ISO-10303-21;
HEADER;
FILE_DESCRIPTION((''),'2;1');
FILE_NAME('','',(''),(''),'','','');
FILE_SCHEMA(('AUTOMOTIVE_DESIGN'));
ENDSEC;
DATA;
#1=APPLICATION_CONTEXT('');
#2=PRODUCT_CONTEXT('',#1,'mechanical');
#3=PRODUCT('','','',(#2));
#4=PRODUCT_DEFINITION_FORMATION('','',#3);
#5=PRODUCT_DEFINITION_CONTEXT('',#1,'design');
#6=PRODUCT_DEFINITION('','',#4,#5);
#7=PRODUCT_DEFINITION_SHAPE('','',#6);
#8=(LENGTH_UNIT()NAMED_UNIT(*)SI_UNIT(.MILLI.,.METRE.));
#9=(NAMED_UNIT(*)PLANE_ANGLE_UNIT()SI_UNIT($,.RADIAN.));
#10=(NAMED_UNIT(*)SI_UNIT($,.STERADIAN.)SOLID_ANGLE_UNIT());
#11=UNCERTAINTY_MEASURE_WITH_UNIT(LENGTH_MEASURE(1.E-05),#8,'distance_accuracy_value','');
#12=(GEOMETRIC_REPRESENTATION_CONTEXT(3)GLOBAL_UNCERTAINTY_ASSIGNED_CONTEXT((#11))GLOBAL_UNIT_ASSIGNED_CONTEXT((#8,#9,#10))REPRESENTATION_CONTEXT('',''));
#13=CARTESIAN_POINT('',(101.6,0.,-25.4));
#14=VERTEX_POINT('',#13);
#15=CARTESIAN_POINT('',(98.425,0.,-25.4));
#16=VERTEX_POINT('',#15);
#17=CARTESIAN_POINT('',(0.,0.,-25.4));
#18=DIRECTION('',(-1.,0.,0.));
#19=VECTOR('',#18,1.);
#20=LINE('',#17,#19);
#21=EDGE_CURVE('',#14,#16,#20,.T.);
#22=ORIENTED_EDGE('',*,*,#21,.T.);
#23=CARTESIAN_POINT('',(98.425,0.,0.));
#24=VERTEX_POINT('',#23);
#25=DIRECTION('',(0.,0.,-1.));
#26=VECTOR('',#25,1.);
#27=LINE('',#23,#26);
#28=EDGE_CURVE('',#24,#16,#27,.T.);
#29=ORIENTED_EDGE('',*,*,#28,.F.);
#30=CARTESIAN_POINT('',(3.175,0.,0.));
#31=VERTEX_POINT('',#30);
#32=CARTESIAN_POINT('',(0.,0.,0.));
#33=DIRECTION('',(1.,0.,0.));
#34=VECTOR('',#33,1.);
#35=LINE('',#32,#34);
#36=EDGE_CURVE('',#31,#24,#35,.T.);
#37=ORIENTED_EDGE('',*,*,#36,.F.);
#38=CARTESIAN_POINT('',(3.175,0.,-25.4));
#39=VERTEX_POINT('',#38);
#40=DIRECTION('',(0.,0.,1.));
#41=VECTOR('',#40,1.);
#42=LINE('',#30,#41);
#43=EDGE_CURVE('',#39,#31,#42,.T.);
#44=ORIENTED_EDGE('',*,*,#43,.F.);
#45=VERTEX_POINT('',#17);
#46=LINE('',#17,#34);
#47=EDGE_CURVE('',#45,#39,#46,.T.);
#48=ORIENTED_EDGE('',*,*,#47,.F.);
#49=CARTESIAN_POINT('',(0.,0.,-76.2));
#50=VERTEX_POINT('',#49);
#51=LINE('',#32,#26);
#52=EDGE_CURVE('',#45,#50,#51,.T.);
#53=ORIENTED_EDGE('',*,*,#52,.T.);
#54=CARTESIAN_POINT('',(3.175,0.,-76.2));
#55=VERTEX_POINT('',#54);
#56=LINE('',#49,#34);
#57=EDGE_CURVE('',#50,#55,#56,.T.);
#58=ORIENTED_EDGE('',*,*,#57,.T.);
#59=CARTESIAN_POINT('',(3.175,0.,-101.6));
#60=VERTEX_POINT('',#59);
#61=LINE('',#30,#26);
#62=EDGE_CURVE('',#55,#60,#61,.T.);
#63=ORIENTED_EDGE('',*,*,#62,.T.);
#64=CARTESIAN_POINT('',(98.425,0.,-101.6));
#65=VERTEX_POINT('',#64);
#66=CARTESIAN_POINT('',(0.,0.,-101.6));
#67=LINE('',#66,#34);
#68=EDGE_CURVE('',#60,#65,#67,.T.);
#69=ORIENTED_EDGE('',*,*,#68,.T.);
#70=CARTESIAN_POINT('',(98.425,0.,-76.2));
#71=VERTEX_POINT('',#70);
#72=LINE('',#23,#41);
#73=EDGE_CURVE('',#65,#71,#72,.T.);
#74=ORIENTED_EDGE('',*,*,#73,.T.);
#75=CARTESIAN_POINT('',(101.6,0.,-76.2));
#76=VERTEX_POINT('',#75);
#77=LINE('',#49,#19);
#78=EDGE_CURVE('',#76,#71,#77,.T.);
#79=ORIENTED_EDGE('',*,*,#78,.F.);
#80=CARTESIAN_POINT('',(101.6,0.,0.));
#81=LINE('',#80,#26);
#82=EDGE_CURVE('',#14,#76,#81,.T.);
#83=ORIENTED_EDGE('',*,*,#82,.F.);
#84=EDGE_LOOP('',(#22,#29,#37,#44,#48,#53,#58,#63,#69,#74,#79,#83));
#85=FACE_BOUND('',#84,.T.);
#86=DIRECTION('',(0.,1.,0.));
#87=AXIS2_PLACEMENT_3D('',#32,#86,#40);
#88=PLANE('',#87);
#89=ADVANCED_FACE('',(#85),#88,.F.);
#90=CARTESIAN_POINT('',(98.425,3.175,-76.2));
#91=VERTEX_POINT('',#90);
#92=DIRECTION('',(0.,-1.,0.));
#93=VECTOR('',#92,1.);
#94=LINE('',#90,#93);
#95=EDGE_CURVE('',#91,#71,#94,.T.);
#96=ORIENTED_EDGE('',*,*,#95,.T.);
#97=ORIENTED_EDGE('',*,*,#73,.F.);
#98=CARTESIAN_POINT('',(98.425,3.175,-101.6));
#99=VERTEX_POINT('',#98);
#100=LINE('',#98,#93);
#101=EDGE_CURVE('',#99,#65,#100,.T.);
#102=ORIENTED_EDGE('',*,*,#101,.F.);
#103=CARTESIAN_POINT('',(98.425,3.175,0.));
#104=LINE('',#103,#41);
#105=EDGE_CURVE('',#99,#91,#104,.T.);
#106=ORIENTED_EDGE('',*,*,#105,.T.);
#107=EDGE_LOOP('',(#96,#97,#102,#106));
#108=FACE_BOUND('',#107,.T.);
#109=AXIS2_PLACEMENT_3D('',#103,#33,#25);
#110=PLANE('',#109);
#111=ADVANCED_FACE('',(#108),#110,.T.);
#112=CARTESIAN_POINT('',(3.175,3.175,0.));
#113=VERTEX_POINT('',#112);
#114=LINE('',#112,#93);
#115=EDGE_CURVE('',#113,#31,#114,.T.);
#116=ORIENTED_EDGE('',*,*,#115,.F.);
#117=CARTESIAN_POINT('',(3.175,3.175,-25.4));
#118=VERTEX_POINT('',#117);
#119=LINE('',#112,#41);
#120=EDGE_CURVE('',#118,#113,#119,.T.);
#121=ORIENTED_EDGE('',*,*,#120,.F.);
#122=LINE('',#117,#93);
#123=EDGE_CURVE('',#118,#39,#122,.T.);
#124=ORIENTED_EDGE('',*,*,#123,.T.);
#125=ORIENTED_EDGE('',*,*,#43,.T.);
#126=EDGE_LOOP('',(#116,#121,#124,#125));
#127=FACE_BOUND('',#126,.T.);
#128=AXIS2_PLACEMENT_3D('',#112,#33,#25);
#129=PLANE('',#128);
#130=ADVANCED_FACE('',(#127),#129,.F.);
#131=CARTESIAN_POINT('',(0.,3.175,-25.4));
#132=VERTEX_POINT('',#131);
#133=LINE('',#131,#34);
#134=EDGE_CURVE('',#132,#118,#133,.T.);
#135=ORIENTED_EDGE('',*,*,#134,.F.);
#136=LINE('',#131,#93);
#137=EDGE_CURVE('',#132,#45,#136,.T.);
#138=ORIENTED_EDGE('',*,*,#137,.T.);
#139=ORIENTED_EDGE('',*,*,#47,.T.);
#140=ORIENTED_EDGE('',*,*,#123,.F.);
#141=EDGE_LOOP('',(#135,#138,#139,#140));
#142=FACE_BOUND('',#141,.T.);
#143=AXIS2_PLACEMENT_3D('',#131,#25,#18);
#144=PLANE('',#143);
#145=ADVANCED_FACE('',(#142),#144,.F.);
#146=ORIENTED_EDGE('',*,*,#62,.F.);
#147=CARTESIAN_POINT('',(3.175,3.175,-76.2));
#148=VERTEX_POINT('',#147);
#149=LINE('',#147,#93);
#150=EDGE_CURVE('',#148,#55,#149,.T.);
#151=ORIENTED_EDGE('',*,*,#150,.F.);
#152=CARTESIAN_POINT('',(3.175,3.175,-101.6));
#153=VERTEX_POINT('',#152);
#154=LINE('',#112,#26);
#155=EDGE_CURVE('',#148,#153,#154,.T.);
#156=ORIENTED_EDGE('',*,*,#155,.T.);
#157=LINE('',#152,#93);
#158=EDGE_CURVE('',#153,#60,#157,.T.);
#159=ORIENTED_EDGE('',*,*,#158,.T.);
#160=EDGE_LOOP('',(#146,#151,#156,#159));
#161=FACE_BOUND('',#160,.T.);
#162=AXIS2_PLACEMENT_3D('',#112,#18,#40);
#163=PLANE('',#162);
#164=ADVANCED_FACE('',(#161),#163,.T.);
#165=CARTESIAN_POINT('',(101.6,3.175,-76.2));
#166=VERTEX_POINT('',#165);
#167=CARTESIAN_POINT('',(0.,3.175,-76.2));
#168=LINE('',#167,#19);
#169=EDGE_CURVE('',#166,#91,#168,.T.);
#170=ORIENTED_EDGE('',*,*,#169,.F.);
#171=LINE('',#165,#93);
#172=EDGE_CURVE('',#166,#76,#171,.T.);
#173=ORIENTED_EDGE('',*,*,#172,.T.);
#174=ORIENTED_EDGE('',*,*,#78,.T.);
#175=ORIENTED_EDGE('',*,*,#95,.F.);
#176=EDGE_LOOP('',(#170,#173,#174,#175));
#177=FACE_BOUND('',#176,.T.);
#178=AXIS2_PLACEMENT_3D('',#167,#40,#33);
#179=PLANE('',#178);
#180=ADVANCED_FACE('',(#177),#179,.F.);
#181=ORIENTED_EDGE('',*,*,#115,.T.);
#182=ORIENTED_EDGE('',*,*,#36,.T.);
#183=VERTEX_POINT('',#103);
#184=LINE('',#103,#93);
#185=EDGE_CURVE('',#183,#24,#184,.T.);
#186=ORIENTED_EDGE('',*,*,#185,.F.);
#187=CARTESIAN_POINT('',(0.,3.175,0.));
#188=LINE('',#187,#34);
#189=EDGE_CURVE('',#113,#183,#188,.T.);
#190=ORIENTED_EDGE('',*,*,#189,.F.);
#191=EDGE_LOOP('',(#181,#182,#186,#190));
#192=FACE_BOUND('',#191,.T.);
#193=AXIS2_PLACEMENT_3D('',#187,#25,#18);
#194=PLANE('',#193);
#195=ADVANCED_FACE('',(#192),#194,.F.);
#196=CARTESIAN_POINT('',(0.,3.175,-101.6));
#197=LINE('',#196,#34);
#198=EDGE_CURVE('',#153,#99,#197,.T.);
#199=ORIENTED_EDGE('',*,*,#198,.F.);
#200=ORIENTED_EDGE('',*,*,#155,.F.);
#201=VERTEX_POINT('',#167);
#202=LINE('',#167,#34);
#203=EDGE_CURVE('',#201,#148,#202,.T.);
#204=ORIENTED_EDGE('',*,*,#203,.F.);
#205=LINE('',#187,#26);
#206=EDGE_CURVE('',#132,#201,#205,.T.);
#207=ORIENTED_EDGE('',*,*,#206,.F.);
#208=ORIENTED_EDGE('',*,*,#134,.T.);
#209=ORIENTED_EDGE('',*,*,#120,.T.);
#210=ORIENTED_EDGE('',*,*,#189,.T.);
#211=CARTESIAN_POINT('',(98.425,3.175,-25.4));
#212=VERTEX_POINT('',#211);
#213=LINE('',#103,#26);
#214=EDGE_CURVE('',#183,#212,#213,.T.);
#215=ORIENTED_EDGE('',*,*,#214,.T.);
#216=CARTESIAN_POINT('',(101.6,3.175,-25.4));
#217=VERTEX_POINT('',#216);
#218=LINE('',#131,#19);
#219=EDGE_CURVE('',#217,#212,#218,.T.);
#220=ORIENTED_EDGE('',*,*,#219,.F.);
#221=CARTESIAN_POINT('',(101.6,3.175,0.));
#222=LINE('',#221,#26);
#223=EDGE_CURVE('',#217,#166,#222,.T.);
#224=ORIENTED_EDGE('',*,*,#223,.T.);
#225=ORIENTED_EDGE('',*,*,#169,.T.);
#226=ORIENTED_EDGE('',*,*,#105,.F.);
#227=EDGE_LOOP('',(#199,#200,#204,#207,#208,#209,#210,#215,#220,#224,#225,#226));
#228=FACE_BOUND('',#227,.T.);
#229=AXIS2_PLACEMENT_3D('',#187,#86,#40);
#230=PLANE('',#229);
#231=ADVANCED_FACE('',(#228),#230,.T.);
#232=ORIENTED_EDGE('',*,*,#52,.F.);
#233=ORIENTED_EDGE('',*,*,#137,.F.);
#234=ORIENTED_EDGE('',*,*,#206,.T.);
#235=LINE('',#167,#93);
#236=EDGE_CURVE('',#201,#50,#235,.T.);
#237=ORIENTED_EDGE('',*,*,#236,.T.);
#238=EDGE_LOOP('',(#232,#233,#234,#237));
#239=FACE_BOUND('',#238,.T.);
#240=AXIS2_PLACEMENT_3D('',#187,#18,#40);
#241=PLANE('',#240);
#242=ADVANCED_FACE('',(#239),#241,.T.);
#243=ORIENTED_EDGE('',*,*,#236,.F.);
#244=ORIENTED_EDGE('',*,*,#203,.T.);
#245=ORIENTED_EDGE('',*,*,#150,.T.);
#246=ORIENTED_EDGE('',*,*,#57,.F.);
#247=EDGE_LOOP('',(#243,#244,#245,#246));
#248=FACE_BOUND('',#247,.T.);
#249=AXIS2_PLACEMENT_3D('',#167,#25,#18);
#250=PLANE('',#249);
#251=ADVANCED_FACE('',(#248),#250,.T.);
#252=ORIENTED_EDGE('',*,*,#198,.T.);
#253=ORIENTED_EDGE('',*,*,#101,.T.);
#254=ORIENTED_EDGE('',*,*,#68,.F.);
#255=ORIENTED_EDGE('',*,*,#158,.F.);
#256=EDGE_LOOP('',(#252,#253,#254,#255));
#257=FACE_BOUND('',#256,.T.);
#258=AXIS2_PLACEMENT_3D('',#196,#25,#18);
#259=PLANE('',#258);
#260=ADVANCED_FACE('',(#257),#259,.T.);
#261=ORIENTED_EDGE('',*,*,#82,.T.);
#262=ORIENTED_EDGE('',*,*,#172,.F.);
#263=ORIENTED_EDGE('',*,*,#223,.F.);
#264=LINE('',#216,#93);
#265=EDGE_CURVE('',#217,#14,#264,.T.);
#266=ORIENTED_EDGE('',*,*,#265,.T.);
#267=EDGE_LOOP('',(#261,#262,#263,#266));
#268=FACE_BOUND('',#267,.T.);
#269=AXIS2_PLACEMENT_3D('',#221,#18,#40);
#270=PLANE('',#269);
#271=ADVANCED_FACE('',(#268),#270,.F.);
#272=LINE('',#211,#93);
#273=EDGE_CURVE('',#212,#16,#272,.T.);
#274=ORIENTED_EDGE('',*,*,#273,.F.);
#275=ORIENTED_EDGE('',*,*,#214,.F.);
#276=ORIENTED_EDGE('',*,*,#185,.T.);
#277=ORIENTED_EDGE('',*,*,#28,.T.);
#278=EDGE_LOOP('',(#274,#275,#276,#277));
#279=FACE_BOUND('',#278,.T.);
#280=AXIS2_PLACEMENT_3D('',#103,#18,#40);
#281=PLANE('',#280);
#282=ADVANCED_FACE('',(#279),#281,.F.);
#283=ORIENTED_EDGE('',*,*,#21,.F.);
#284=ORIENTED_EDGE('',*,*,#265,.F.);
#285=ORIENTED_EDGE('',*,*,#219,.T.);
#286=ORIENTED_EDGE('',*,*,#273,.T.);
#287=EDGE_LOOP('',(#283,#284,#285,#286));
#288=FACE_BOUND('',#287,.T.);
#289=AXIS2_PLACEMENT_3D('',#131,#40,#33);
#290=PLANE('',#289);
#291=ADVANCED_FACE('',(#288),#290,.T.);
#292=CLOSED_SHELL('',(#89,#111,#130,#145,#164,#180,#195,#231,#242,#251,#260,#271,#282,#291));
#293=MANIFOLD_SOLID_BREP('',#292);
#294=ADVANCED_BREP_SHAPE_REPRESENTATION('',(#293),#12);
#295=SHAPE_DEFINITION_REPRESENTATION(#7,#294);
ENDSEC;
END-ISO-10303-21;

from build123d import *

# Parameters (mm, degrees)
BOSS_EXTRUDE1_DEPTH = 3.175


with BuildPart() as part:
    # Sketch1 → Boss-Extrude1 (new body)
    with BuildSketch(Plane(origin=(0, 0, 0), x_dir=(1, 0, 0), z_dir=(0, 1, 0))):
        Polygon((3.175, 101.6), (3.175, 76.2), (0, 76.2), (0, 25.4), (3.175, 25.4), (3.175, 0), (98.425, 0), (98.425, 25.4), (101.6, 25.4), (101.6, 76.2), (98.425, 76.2), (98.425, 101.6), align=None)
    extrude(amount=BOSS_EXTRUDE1_DEPTH)


solid = part.part
